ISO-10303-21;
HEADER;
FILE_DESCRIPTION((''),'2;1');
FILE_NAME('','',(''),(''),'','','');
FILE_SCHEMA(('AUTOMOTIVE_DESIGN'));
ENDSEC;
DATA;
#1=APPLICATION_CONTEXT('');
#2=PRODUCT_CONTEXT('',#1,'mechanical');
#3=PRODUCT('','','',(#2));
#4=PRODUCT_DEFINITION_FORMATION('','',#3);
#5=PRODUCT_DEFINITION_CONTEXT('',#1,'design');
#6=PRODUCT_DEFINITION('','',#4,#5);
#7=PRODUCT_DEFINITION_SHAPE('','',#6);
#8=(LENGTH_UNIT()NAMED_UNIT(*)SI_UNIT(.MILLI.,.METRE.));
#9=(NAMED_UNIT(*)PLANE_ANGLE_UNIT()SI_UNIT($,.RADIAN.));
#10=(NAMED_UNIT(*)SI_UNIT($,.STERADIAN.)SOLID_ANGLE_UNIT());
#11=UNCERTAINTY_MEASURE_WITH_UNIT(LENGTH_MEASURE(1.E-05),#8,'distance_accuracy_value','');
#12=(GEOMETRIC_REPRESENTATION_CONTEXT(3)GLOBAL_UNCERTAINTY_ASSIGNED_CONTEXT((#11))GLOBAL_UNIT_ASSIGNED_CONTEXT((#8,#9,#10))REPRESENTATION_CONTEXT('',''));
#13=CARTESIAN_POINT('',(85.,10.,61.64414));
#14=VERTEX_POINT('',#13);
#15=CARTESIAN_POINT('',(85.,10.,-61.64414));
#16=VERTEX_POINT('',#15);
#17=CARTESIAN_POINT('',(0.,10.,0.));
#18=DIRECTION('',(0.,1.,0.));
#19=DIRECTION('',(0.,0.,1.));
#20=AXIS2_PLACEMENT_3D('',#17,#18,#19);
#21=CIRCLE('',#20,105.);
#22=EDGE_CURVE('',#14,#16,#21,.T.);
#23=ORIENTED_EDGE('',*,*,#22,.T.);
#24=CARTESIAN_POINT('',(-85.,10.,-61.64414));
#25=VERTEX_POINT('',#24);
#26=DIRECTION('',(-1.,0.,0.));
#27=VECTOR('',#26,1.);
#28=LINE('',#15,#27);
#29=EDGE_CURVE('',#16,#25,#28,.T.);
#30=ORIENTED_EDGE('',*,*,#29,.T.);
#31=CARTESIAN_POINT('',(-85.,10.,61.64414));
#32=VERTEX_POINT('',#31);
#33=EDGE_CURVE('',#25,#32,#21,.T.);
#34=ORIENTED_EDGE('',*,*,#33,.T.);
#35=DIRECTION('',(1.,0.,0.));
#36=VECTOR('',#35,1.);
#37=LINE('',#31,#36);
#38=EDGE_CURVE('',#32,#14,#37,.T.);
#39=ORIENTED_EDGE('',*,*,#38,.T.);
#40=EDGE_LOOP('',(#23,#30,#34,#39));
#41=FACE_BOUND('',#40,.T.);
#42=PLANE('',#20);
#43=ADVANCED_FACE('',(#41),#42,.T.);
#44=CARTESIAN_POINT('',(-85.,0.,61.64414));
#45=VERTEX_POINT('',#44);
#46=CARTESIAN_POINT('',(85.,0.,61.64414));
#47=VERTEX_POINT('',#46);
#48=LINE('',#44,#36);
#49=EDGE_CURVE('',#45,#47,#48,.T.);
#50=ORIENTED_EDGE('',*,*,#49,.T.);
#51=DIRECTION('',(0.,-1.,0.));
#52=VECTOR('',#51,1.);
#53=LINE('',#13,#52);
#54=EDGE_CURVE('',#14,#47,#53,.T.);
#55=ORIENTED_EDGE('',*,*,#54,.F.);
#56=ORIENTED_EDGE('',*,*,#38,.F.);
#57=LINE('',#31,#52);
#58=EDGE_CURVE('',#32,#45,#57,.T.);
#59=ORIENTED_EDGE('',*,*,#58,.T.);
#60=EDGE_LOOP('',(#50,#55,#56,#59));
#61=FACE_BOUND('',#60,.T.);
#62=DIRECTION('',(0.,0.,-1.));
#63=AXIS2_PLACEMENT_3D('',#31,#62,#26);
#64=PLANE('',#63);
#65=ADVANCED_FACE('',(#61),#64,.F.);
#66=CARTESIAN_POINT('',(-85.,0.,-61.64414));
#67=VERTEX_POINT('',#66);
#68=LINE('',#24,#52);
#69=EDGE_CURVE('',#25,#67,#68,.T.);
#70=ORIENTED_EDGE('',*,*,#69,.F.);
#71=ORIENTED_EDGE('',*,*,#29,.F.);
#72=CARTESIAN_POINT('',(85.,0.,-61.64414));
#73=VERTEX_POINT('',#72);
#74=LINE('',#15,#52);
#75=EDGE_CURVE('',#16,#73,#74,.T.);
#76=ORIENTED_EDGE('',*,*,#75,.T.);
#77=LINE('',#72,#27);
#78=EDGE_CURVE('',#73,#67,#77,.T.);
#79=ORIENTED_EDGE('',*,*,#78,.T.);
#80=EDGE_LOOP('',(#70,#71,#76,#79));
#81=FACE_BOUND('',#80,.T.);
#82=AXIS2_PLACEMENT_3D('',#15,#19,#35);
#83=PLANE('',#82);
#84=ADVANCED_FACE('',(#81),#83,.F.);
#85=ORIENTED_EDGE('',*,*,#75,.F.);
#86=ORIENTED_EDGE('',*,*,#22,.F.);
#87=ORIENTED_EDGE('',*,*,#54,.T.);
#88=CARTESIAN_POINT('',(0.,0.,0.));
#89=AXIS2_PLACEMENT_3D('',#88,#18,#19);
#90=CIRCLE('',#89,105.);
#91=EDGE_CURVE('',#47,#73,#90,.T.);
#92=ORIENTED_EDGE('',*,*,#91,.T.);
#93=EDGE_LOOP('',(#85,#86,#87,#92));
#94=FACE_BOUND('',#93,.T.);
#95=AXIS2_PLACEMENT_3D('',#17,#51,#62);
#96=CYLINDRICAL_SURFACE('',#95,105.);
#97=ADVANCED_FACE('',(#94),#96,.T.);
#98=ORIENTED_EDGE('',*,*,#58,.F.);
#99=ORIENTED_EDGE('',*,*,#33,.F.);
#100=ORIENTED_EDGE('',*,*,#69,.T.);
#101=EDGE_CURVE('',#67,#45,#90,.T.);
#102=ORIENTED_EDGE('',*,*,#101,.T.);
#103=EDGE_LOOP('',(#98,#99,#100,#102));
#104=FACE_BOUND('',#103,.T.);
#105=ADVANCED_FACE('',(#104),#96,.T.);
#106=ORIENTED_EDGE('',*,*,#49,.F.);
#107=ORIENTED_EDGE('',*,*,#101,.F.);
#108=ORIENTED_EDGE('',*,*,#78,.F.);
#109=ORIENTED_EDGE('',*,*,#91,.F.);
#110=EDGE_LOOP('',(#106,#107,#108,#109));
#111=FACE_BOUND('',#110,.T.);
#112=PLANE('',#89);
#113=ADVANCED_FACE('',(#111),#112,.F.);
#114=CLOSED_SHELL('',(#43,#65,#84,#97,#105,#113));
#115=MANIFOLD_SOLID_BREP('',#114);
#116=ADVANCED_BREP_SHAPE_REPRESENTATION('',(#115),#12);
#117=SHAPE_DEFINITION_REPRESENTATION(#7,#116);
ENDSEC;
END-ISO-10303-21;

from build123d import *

# Parameters (mm, degrees)
BOSS_EXTRU_1_DEPTH = 10


with BuildPart() as part:
    # Esquisse2 → Boss.-Extru.1 (new body)
    with BuildSketch(Plane(origin=(0, 0, 0), x_dir=(1, 0, 0), z_dir=(0, 1, 0))):
        with BuildLine():
            Line((-85, -61.64414003), (85, -61.64414003))
            ThreePointArc((85, -61.64414003), (105, 0), (85, 61.64414003))
            Line((85, 61.64414003), (-85, 61.64414003))
            ThreePointArc((-85, 61.64414003), (-105, 0), (-85, -61.64414003))
        make_face()
    extrude(amount=BOSS_EXTRU_1_DEPTH)


solid = part.part
